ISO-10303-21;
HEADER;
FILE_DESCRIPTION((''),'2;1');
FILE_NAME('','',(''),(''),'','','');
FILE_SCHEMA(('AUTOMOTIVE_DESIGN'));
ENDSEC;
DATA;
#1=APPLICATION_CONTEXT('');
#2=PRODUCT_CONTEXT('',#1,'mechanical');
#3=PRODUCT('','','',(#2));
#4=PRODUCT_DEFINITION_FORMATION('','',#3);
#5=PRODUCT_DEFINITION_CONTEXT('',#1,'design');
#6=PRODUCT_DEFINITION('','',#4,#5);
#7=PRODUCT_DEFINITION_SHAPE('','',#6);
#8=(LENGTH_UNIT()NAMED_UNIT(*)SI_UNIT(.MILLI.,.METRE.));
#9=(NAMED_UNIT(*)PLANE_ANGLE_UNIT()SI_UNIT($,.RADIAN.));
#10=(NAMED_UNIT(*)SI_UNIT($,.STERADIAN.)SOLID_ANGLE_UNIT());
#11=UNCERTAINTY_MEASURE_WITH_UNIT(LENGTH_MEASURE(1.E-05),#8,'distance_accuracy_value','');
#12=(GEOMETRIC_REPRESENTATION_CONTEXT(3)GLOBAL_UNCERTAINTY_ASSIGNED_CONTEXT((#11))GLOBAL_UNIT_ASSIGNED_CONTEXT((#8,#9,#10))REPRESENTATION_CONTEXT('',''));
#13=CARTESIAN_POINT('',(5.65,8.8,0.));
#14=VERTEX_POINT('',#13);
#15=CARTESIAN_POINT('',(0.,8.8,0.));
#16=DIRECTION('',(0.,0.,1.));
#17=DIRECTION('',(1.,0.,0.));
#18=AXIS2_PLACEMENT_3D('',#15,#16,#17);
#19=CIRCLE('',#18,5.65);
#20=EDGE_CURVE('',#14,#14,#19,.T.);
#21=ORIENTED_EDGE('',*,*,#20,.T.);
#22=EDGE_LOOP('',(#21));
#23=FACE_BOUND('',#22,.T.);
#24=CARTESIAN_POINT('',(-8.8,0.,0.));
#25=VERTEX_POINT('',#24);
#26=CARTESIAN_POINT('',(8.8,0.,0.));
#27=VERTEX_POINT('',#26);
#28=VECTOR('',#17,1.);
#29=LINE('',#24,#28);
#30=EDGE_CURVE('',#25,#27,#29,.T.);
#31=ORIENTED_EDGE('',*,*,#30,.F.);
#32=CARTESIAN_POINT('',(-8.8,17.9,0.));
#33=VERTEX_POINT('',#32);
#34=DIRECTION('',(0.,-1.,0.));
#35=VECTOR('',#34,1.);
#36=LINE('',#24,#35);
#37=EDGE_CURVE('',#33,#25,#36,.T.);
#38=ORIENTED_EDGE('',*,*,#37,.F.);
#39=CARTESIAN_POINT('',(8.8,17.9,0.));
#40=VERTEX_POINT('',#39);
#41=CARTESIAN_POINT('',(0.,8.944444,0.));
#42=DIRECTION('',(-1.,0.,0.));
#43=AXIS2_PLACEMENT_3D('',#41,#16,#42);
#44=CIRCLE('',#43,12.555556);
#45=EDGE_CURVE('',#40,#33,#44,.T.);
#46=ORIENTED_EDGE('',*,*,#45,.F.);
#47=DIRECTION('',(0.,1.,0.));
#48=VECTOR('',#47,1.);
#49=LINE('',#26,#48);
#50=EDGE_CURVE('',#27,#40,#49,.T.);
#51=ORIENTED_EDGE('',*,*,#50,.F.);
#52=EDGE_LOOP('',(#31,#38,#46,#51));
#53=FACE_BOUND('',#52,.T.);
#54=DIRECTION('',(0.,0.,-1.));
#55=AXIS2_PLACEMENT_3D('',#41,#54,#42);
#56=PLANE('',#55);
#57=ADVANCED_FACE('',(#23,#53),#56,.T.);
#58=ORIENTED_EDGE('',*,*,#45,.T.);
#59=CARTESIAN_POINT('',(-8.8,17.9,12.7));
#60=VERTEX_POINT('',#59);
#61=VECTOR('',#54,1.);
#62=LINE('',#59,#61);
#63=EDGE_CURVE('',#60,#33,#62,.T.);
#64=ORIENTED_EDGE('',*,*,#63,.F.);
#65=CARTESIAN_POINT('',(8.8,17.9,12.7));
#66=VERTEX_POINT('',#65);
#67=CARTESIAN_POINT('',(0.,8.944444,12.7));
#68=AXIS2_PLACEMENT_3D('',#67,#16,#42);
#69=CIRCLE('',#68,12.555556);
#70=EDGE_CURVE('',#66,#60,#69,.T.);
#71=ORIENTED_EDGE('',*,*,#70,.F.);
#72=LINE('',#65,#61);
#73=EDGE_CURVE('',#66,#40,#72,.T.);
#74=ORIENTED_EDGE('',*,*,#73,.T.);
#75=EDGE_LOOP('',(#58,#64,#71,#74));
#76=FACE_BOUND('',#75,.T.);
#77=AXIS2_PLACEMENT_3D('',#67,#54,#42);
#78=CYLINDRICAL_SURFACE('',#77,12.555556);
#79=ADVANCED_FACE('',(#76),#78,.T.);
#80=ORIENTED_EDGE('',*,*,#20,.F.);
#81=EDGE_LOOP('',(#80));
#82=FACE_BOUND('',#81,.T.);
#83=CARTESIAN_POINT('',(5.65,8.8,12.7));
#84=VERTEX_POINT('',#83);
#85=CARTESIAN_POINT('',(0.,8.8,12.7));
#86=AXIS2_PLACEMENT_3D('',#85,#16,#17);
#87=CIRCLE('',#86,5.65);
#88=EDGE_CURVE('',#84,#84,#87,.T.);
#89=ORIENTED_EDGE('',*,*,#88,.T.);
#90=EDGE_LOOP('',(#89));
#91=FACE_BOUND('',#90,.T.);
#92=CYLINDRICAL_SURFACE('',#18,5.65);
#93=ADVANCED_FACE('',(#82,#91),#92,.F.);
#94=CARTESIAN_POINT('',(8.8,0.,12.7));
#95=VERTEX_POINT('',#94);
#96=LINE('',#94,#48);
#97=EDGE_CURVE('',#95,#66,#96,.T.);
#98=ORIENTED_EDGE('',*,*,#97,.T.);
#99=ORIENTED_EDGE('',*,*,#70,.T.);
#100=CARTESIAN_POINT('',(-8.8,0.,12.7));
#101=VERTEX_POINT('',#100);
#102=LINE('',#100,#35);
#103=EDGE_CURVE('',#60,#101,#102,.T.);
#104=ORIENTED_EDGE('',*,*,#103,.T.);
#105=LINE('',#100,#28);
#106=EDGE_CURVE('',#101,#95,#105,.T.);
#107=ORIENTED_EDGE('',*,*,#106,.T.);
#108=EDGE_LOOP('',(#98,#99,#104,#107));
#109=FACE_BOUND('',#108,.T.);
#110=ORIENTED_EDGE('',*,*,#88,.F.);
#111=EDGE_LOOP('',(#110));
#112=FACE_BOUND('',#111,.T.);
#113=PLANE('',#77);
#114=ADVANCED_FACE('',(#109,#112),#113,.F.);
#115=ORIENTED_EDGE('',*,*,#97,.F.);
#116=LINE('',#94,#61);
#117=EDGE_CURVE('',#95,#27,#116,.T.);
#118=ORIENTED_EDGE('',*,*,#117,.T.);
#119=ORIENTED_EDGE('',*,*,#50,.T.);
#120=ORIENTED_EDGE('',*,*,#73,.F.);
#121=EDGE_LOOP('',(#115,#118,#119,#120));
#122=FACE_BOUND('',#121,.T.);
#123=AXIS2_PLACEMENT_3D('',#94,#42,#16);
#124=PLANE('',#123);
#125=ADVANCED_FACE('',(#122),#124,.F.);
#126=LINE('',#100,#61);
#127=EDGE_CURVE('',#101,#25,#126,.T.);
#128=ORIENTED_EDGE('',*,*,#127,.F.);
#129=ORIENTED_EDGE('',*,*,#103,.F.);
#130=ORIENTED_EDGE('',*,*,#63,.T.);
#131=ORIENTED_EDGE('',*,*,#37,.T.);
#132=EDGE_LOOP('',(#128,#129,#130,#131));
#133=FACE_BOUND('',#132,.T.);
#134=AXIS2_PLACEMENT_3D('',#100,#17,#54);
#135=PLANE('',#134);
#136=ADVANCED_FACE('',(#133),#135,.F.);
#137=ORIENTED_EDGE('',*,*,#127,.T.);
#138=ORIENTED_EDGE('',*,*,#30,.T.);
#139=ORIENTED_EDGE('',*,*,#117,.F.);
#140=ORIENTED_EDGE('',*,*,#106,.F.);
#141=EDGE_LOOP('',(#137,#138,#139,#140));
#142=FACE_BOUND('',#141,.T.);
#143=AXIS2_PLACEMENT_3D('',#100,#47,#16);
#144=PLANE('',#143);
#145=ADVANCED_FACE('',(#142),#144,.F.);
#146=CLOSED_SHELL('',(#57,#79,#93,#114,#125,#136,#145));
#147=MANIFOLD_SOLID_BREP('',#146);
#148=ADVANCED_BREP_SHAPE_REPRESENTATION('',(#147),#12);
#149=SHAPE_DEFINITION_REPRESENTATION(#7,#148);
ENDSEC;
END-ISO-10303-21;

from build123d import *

# Parameters (mm, degrees)
EXTRUDE_1_DEPTH     = 12.7
SKETCH_2_R          = 5.65
CUT_EXTRUDE_1_DEPTH = 27.476026892


with BuildPart() as part:
    # Эскиз1 → Бобышка-Вытянуть1 (new body)
    with BuildSketch(Plane.XY):
        with BuildLine():
            Line((-8.8, 0), (8.8, 0))
            Line((8.8, 0), (8.8, 17.9))
            ThreePointArc((8.8, 17.9), (0, 21.5), (-8.8, 17.9))
            Line((-8.8, 17.9), (-8.8, 0))
        make_face()
    extrude(amount=EXTRUDE_1_DEPTH)

    # Эскиз2 → Вырез-Вытянуть1 (cut, through all)
    with BuildSketch(Plane.XY.offset(12.7)):
        with Locations((0, 8.8)):
            Circle(SKETCH_2_R)
    extrude(amount=-CUT_EXTRUDE_1_DEPTH, mode=Mode.SUBTRACT)


solid = part.part
